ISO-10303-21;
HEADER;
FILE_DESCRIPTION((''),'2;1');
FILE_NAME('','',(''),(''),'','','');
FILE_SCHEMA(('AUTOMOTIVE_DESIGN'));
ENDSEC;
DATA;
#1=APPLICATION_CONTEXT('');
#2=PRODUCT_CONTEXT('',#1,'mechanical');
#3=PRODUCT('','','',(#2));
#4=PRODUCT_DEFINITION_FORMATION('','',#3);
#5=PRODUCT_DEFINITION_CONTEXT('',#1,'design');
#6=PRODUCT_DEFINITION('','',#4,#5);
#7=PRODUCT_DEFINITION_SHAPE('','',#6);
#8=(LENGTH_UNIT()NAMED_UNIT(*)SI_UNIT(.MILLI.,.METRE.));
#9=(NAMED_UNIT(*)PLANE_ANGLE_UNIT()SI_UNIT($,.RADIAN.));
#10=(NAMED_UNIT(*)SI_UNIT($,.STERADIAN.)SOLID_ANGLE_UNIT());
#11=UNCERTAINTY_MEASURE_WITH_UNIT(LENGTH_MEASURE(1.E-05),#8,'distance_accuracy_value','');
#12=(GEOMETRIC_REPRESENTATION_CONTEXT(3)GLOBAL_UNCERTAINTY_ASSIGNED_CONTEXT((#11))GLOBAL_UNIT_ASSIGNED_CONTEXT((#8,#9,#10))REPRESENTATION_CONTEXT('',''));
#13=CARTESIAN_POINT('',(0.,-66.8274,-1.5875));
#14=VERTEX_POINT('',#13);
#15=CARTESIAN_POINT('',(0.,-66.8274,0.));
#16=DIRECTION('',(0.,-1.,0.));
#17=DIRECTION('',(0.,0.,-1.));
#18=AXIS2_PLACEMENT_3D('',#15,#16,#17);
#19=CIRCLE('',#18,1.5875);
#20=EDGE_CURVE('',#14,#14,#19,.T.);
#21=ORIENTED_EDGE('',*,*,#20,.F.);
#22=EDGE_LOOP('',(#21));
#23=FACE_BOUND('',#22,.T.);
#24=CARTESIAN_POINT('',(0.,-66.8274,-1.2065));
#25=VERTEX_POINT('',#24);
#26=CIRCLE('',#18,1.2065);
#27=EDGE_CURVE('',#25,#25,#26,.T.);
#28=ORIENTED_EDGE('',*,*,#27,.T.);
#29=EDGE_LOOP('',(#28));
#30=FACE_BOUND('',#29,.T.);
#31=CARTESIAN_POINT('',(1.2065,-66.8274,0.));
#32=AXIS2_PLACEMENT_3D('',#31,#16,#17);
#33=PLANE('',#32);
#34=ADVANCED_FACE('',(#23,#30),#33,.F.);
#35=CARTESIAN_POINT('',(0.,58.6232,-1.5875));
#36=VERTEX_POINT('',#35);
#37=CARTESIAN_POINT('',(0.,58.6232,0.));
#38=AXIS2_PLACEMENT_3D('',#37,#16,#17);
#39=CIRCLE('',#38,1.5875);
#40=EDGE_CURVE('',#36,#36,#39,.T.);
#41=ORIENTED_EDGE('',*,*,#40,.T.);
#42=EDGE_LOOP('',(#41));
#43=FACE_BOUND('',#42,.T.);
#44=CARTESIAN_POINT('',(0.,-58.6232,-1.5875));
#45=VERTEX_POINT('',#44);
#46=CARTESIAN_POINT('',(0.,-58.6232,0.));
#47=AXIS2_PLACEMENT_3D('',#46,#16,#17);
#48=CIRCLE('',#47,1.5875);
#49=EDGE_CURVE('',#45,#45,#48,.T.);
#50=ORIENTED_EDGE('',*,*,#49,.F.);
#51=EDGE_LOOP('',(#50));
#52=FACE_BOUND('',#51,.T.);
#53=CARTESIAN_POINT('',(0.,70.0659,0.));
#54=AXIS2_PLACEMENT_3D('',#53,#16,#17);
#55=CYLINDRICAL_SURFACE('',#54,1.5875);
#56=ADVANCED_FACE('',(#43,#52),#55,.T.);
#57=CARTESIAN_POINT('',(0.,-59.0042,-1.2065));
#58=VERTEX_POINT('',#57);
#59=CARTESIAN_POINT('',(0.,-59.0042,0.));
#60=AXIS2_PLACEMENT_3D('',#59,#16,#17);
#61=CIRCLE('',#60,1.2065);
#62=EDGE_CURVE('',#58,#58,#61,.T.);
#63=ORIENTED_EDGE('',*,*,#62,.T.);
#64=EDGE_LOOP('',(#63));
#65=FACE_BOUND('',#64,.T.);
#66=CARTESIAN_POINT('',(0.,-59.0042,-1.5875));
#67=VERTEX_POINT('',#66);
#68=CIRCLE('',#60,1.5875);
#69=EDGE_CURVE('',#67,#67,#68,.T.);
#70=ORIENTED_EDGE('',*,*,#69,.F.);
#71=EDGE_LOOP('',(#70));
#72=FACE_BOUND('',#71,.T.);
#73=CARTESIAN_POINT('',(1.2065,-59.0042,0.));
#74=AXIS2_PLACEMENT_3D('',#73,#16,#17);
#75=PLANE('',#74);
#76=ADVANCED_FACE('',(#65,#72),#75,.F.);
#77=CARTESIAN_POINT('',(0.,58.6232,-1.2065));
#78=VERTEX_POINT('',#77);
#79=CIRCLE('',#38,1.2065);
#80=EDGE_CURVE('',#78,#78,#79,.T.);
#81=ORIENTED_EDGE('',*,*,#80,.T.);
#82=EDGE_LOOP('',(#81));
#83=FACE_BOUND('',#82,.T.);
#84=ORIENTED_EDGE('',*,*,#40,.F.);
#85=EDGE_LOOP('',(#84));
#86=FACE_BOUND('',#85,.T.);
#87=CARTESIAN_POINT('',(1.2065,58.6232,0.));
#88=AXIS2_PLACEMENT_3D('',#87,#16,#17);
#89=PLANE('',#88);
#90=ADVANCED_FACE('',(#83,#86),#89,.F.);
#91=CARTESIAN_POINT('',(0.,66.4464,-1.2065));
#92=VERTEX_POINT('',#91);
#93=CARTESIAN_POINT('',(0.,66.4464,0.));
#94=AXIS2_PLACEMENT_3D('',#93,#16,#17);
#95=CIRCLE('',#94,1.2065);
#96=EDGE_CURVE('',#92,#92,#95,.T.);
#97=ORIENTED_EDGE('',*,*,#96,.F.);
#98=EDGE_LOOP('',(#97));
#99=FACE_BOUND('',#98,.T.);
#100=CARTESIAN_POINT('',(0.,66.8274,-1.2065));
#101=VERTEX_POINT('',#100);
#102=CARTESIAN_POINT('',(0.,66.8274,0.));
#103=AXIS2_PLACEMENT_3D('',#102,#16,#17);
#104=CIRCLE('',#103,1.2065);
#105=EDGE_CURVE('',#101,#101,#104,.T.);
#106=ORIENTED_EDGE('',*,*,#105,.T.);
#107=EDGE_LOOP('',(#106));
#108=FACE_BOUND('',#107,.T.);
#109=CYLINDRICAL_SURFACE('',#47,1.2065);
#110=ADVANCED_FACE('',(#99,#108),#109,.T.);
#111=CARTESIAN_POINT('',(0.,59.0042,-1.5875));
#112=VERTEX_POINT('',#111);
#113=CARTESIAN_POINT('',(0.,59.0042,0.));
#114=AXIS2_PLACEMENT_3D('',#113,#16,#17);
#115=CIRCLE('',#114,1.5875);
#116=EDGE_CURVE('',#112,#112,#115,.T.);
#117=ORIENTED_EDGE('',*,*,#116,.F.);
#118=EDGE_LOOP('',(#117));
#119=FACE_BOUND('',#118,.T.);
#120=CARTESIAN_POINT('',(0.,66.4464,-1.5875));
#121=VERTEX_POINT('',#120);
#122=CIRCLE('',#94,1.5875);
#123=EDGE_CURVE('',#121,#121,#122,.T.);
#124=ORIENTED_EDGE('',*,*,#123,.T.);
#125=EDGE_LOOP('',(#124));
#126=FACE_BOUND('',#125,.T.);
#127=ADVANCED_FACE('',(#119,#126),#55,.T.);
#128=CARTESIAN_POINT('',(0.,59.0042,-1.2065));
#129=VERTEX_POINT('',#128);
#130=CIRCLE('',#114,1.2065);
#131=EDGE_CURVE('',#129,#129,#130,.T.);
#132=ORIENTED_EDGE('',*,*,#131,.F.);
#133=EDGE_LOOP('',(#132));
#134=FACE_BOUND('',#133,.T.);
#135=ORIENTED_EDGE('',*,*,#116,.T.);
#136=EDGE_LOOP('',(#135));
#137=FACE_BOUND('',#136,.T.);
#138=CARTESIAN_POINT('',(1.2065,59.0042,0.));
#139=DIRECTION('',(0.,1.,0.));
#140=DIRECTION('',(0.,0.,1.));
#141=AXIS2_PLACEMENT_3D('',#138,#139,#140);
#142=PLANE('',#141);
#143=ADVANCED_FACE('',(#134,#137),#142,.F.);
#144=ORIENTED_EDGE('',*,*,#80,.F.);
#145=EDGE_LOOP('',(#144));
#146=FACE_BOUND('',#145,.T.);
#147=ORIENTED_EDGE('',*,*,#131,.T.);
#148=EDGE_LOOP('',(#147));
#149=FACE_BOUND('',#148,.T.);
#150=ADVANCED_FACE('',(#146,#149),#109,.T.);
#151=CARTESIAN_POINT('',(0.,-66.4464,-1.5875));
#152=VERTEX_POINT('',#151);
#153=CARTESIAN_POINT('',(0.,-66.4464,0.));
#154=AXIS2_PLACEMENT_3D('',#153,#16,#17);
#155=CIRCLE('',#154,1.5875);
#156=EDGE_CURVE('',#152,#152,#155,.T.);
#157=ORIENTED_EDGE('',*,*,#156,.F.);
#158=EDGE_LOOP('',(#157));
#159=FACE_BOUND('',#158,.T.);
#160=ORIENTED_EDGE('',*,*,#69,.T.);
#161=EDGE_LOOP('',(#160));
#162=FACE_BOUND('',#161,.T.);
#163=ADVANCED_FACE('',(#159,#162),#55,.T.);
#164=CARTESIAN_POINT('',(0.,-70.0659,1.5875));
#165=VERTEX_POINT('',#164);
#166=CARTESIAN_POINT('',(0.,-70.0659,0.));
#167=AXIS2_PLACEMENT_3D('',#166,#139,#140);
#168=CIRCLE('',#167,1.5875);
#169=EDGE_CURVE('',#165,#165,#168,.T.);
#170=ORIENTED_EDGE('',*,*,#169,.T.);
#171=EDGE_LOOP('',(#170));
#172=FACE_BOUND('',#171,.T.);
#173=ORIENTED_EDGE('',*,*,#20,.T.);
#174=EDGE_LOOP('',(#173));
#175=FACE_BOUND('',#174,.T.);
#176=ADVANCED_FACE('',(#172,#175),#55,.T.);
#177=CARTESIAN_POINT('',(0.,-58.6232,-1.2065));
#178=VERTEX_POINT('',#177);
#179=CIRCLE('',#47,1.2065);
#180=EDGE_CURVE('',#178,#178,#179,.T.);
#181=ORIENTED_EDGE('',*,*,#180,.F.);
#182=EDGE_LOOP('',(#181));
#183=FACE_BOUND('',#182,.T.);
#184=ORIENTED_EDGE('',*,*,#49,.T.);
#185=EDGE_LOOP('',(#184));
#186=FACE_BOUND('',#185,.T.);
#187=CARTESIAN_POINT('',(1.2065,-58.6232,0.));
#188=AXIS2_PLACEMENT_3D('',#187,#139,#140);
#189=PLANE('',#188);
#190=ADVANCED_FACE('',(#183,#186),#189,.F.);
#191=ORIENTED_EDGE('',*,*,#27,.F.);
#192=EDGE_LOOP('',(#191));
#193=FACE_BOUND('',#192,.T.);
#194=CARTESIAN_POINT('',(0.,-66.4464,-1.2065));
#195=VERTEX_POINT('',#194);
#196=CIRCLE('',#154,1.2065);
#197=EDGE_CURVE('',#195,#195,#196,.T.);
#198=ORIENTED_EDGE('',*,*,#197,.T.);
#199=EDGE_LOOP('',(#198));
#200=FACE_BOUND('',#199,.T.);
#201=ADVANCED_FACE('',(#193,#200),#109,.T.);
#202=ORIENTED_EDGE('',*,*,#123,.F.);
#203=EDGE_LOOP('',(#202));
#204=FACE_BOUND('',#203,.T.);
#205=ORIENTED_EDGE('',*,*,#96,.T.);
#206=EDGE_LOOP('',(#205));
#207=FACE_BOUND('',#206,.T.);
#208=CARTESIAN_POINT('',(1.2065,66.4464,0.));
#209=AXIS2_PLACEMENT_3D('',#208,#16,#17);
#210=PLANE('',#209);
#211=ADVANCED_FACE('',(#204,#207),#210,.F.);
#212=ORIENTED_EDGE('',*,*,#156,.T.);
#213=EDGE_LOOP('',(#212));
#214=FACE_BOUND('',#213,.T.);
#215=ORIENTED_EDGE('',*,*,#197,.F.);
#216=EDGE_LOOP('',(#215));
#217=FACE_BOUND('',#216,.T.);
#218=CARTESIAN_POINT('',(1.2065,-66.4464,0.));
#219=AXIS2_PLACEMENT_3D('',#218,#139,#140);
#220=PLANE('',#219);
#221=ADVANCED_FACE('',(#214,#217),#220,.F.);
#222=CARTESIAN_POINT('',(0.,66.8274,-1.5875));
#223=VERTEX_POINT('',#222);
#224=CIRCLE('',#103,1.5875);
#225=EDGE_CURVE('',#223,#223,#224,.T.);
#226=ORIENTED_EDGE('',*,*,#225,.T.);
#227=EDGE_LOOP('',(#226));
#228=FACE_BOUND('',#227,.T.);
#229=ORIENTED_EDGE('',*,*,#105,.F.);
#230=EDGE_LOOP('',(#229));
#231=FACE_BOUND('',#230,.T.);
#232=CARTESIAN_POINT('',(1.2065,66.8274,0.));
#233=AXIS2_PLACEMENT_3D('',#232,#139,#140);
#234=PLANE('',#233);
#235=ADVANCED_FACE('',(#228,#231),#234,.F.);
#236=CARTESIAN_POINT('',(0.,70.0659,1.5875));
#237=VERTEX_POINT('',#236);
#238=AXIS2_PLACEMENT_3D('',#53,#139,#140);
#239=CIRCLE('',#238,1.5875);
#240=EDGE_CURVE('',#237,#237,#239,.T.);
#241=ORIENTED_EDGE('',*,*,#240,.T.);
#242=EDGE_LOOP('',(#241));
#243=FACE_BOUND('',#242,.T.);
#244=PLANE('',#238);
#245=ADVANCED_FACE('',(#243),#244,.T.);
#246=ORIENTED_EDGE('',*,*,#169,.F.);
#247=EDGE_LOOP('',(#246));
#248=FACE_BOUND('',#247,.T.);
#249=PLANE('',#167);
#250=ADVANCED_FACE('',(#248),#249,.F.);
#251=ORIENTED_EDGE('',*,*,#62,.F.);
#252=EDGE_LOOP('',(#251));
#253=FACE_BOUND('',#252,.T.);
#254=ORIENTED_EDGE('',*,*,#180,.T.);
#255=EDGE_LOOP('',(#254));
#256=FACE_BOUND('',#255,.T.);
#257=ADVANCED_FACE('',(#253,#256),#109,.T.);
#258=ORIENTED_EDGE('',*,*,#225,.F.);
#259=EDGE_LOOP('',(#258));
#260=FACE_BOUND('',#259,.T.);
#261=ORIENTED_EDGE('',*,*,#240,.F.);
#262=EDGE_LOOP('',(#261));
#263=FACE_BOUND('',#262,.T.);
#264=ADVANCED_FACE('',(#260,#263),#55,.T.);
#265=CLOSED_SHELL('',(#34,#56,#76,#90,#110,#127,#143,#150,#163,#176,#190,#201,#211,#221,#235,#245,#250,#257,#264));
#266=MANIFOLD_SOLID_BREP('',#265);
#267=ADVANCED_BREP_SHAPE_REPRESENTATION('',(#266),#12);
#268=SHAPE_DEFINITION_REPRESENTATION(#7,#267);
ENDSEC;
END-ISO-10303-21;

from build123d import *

# Parameters (mm, degrees)
SKETCH1_R           = 1.5875
BOSS_EXTRUDE1_DEPTH = 70.0659
SKETCH2_W           = 0.381
SKETCH2_H           = 0.381


with BuildPart() as part:
    # Sketch1 → Boss-Extrude1 (new, symmetric)
    with BuildSketch(Plane(origin=(0, 0, 0), x_dir=(1, 0, 0), z_dir=(0, 1, 0))):
        with Locations(Location((0, 0, 0), (0, 0, 270))):
            Circle(SKETCH1_R)
    extrude(amount=BOSS_EXTRUDE1_DEPTH, both=True)

    # Sketch2 → Cut-Revolve1 (revolve, cut)
    with BuildSketch(Plane.XY, mode=Mode.PRIVATE) as cut_revolve1_sk:
        with Locations((1.397, 58.8137)):
            Rectangle(SKETCH2_W, SKETCH2_H)
        with Locations((1.397, -58.8137)):
            Rectangle(SKETCH2_W, SKETCH2_H)
        with Locations((1.397, 66.6369)):
            Rectangle(SKETCH2_W, SKETCH2_H)
        with Locations((1.397, -66.6369)):
            Rectangle(SKETCH2_W, SKETCH2_H)
    revolve(cut_revolve1_sk.sketch.rotate(Axis((0, -58.6232, 0), (0, 1, 0)), 90), axis=Axis((0, -58.6232, 0), (0, 1, 0)), mode=Mode.SUBTRACT)


solid = part.part
